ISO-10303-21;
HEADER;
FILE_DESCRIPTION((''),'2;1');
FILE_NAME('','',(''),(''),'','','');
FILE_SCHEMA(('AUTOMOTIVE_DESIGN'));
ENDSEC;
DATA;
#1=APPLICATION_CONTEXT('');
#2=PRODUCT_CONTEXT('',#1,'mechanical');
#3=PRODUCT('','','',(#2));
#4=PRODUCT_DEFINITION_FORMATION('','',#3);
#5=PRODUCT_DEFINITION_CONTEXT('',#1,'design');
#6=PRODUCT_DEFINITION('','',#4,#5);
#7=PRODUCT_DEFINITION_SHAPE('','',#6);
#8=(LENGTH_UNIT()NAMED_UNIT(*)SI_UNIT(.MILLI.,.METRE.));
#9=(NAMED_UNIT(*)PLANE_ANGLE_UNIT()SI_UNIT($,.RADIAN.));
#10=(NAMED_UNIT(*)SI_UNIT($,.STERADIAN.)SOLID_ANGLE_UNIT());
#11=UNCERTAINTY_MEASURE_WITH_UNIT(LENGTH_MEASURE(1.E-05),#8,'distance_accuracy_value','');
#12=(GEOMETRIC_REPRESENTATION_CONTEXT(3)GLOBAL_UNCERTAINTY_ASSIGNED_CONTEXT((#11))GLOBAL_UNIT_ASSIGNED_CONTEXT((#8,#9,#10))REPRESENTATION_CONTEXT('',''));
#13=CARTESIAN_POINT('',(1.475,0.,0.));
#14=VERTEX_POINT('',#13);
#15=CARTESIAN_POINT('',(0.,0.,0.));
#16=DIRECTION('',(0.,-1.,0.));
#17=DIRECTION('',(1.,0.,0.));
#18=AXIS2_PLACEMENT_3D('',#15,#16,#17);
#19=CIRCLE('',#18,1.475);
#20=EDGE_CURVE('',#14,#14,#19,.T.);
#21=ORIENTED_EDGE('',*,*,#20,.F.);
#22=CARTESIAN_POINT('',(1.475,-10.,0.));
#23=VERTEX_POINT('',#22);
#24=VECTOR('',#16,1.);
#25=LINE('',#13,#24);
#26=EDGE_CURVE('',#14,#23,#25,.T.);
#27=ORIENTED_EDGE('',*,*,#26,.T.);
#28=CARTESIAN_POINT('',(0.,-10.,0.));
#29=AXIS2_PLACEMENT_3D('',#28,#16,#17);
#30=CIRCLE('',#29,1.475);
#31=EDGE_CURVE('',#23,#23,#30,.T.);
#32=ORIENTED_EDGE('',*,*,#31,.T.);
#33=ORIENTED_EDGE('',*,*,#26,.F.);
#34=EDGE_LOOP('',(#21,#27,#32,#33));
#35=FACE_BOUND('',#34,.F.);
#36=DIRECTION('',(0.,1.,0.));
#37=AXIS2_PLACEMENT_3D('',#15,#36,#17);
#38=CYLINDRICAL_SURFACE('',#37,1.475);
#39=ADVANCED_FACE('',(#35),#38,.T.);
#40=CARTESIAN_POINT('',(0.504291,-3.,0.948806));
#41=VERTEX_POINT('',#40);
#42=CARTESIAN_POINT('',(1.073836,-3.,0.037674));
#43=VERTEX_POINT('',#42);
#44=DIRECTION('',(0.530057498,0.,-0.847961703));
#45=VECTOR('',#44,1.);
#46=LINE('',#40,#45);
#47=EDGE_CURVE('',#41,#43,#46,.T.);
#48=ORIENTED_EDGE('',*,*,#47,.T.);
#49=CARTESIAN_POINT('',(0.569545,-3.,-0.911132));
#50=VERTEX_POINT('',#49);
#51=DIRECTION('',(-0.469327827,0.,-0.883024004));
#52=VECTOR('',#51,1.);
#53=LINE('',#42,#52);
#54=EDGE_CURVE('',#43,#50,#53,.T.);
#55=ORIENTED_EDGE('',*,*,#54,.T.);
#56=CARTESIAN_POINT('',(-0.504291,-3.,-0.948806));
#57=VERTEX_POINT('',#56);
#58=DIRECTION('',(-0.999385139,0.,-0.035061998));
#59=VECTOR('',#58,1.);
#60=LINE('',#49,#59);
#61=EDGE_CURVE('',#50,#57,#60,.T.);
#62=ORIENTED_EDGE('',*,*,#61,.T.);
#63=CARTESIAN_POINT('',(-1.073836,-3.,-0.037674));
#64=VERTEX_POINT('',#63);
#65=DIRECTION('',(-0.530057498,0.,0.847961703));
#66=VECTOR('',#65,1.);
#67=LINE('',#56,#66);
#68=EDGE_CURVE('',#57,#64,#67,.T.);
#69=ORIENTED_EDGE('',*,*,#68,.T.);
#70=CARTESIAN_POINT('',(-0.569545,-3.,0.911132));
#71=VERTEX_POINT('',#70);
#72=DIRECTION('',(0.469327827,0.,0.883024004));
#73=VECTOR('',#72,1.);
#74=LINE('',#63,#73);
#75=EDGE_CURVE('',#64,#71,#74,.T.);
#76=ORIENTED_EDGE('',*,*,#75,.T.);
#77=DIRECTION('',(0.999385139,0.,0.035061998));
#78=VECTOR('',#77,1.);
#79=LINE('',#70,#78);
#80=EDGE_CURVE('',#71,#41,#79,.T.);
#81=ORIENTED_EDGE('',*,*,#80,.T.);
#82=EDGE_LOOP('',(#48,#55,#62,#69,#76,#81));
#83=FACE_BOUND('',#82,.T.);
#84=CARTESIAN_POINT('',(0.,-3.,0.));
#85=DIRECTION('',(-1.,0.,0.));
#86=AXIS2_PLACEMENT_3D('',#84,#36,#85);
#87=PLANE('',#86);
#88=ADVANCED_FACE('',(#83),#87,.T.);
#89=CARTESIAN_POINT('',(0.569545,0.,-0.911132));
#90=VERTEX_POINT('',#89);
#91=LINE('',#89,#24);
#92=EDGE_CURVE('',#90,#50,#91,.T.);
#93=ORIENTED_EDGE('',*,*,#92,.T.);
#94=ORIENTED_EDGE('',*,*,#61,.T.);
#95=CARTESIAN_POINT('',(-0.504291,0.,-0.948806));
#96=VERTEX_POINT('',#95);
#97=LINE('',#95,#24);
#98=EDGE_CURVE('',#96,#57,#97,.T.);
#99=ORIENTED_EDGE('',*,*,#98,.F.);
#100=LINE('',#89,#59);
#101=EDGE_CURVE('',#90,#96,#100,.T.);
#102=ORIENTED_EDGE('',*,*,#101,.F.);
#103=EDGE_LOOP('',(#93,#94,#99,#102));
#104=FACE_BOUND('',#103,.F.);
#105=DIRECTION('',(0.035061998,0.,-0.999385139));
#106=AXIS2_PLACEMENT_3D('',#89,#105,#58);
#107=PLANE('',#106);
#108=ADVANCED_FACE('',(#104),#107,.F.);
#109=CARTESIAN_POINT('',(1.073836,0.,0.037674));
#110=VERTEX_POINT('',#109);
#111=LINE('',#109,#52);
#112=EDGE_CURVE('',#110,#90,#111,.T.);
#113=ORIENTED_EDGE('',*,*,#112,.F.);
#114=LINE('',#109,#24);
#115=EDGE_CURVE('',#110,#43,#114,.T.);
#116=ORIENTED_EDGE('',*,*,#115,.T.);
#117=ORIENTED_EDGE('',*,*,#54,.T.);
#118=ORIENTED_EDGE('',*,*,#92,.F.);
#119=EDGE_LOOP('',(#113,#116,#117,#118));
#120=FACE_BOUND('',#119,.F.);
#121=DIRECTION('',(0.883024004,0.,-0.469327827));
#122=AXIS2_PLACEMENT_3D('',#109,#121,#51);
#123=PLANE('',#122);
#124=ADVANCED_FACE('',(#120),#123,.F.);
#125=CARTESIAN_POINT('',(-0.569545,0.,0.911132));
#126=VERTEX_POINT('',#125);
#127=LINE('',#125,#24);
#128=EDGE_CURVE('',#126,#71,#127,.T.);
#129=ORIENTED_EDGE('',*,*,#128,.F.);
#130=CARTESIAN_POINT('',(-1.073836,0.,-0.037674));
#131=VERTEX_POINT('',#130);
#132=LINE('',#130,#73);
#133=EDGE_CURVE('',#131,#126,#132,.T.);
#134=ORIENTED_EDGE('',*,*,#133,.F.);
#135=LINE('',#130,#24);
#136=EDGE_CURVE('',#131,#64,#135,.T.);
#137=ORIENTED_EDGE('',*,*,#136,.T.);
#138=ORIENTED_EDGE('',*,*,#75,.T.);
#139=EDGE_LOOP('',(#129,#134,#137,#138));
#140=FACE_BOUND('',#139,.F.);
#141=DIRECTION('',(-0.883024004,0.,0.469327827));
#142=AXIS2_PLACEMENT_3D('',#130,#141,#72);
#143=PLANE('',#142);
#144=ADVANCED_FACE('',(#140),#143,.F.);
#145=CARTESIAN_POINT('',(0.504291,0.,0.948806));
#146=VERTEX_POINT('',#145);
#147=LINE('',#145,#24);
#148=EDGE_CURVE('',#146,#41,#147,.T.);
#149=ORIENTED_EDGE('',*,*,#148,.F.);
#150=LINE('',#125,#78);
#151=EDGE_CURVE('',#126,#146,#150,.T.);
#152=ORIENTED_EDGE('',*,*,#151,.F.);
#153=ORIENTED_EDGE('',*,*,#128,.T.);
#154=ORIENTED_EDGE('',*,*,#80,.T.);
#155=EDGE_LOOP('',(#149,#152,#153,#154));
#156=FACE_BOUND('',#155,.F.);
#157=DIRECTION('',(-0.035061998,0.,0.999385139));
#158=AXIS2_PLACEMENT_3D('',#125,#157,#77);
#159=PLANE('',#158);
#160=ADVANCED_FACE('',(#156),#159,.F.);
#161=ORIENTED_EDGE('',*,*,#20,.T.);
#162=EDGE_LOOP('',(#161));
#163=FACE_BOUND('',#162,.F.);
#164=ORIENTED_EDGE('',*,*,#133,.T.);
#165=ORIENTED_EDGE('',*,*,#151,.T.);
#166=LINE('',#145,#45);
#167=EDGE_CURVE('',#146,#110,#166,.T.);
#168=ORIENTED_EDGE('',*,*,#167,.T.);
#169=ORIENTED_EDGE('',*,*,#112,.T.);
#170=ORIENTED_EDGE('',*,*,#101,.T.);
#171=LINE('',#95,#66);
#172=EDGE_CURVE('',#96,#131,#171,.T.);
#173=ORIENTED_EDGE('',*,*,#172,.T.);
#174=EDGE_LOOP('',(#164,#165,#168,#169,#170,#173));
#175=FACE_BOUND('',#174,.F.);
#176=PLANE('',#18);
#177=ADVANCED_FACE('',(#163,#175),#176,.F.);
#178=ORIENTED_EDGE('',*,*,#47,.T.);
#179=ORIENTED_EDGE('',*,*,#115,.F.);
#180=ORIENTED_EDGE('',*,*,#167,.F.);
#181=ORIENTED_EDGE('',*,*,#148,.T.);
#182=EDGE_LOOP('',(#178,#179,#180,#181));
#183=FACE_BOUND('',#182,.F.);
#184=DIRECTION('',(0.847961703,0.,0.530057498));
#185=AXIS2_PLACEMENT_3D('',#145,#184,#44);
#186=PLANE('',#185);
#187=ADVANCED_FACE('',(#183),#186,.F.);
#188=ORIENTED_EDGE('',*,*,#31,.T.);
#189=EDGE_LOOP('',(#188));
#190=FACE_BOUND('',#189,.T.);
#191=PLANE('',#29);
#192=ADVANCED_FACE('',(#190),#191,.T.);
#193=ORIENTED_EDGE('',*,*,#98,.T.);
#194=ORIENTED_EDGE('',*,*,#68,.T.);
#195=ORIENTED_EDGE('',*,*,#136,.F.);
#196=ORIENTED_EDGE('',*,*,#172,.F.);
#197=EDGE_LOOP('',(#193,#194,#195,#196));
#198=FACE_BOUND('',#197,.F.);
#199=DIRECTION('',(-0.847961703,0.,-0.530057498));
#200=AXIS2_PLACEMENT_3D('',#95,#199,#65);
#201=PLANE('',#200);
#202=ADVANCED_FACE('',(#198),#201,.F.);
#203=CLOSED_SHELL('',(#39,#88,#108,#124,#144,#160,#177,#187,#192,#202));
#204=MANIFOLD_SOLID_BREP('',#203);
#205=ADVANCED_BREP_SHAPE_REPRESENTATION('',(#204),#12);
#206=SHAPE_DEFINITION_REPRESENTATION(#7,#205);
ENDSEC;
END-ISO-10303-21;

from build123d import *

# Parameters (mm, degrees)
F0_R     = 1.475
F1_DEPTH = 10
F3_DEPTH = 3


with BuildPart() as f1:
    # F0 (on Front) → F1 (new body)
    with BuildSketch(Plane.XZ):
        Circle(F0_R)
    extrude(amount=F1_DEPTH)

    # F2 (on face) → F3 (cut)
    with BuildSketch(Plane(origin=(0, 0, 0), x_dir=(-1, 0, 0), z_dir=(0, 1, 0))):
        Polygon((-1.073836, 0.037674), (-0.569545, -0.911132), (0.504291, -0.948806), (1.073836, -0.037674), (0.569545, 0.911132), (-0.504291, 0.948806), align=None)
    extrude(amount=-F3_DEPTH, mode=Mode.SUBTRACT)


solid = f1.part
